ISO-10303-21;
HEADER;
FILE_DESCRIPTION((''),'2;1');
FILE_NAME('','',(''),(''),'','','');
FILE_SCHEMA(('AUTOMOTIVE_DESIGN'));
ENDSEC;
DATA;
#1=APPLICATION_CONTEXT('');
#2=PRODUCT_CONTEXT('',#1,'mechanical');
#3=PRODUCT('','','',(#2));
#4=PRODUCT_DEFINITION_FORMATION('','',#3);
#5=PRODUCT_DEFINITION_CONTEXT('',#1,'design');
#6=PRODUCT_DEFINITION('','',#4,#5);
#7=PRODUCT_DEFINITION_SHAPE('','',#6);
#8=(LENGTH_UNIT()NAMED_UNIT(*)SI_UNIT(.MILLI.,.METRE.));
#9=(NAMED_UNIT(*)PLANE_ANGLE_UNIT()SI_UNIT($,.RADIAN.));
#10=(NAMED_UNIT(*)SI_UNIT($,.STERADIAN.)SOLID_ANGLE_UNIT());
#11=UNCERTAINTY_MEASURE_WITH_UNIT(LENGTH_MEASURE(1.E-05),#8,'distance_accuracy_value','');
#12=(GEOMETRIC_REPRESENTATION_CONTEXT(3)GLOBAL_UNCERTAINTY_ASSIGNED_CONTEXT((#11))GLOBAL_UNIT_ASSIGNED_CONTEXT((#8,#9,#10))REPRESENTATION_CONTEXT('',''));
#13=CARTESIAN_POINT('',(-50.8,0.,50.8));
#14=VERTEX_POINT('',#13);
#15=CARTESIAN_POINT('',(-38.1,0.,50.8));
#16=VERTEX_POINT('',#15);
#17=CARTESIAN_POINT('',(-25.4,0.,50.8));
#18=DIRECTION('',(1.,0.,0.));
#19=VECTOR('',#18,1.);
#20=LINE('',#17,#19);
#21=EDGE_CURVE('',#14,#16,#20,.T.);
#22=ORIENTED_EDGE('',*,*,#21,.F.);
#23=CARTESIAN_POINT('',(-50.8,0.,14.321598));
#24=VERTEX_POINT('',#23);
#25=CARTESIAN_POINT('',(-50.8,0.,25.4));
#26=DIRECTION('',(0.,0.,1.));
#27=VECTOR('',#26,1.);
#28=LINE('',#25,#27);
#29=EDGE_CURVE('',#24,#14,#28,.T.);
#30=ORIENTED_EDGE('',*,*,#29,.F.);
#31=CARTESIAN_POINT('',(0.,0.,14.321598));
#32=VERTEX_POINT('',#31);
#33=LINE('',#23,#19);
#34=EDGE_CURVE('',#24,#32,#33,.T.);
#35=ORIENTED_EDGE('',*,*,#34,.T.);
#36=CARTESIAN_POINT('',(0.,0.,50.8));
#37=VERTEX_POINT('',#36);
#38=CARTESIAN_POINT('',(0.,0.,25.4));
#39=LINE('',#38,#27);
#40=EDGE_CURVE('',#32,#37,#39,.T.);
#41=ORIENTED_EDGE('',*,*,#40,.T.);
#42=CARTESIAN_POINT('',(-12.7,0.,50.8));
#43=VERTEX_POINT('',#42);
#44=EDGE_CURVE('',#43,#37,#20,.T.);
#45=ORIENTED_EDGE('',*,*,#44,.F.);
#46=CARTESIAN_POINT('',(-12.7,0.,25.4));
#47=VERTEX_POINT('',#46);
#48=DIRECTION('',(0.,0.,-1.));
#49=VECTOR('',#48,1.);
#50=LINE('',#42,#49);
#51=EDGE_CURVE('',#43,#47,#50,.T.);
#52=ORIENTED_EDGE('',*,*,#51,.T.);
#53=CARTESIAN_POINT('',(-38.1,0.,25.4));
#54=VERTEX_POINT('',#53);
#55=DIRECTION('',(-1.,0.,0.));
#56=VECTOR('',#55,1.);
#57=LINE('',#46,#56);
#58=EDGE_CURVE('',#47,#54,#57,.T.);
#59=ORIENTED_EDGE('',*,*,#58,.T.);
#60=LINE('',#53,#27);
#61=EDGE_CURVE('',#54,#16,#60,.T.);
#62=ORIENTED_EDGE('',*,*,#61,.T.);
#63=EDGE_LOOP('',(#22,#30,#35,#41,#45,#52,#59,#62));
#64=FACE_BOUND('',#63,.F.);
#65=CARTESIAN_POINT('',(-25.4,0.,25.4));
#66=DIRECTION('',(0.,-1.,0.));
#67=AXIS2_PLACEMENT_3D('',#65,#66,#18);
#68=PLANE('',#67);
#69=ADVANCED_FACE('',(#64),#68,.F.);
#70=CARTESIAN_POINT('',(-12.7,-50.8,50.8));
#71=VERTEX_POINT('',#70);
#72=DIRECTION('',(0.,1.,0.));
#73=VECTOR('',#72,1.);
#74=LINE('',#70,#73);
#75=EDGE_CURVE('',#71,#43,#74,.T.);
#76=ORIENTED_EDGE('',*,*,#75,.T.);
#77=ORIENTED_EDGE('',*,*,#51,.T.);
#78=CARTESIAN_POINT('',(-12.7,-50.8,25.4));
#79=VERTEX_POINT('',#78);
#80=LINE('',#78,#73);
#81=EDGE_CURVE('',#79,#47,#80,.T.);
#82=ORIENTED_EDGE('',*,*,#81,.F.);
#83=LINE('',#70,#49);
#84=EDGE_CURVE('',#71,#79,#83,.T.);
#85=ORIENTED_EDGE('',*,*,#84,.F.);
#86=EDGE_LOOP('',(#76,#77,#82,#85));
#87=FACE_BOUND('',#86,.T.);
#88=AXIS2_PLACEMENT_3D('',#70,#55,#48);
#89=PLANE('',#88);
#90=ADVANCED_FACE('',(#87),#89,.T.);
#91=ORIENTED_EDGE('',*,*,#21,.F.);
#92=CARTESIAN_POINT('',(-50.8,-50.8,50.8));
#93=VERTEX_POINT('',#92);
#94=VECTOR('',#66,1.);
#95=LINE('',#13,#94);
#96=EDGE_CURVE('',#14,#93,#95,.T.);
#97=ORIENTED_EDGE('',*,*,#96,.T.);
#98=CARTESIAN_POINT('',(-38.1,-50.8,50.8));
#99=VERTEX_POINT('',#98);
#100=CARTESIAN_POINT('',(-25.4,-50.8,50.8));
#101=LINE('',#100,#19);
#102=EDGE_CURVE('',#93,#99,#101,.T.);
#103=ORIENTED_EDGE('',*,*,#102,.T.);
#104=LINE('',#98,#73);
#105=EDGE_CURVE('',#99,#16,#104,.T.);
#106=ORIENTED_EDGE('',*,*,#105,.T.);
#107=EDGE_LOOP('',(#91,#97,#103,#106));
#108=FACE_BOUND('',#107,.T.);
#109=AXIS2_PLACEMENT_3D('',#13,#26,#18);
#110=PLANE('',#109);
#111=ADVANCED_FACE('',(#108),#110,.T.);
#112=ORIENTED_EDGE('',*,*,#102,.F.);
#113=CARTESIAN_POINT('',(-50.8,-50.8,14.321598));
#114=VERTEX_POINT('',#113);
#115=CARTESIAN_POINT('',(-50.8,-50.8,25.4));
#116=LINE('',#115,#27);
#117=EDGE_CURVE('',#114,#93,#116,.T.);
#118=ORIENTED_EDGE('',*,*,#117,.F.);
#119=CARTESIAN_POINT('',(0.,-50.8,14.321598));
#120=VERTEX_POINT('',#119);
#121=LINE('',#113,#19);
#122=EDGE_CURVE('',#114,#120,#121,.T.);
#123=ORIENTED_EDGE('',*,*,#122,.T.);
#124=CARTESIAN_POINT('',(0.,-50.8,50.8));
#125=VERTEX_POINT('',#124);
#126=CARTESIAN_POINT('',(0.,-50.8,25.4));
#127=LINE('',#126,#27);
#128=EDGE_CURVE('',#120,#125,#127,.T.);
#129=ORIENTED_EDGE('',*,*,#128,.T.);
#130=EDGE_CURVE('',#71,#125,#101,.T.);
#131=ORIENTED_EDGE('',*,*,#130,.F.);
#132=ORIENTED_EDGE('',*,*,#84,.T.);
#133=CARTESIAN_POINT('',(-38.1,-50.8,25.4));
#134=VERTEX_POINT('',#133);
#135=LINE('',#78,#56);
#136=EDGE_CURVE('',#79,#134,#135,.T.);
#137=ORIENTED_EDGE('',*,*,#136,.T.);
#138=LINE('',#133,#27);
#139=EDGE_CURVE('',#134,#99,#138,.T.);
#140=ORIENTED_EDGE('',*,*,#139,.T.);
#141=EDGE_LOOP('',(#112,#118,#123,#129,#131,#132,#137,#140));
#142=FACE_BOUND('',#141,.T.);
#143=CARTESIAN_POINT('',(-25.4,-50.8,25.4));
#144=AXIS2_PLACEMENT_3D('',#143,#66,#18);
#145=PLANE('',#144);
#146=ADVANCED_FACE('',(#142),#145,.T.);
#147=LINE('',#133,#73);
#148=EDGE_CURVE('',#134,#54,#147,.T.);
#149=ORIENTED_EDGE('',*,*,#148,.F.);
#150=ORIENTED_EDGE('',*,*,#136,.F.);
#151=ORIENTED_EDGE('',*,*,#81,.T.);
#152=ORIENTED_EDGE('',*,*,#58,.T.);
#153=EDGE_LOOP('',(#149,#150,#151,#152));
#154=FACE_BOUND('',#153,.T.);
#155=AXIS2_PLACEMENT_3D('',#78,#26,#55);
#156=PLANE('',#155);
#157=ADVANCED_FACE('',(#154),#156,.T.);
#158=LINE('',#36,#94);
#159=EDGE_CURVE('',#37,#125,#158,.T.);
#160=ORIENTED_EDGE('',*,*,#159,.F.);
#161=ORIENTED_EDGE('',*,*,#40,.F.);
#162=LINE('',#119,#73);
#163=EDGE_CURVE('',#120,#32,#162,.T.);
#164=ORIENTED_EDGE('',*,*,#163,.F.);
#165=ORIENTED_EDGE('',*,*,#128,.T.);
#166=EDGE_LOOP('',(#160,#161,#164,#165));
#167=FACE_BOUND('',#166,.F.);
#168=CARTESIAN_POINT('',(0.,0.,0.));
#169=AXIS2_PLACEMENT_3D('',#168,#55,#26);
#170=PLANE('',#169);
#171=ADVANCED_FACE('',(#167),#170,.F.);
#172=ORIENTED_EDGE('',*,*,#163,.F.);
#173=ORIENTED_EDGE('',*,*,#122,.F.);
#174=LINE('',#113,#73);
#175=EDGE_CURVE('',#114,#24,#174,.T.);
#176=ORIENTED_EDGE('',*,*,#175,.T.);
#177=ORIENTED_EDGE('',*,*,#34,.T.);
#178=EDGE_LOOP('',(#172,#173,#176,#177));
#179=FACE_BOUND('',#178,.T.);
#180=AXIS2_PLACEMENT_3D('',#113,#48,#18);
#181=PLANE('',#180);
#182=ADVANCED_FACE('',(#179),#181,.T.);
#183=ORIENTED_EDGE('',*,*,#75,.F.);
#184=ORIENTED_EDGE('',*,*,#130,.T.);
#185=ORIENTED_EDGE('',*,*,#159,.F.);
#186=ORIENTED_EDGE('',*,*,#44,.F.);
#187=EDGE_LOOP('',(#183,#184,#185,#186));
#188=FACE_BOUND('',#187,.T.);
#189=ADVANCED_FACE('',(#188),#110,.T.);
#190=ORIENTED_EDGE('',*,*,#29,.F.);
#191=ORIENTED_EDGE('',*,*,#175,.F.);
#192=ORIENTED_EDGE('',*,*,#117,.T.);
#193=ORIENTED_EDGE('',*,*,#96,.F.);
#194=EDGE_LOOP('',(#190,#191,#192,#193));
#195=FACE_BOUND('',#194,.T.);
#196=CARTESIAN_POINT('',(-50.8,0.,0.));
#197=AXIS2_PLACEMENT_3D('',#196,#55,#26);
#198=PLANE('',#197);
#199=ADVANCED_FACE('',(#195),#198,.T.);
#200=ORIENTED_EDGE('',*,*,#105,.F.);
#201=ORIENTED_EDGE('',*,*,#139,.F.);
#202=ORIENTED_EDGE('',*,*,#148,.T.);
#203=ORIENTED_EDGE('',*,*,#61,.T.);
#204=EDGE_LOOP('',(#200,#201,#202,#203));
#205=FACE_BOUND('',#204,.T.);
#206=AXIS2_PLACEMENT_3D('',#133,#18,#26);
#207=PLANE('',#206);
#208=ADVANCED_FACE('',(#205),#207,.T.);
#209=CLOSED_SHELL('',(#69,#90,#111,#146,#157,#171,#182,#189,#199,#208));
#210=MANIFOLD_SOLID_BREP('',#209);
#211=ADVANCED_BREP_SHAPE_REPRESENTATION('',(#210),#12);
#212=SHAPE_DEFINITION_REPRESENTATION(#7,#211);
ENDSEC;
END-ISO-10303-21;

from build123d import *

# Parameters (mm, degrees)
F0_W     = 50.8
F0_H     = 50.8
F1_DEPTH = 50.8
F3_DEPTH = 50.8


with BuildPart() as f1:
    # F0 (on Front) → F1 (new body)
    with BuildSketch(Plane.XZ):
        with Locations((-25.4, 25.4)):
            Rectangle(F0_W, F0_H)
    extrude(amount=F1_DEPTH)

    # F2 (on face) → F3 (intersect)
    with BuildSketch(Plane.XZ.offset(50.8)):
        Polygon((-38.1, 50.8), (-50.8, 50.8), (-50.8, 14.321598), (0, 14.321598), (0, 50.8), (-12.7, 50.8), (-12.7, 25.4), (-38.1, 25.4), align=None)
    extrude(amount=-F3_DEPTH, mode=Mode.INTERSECT)


solid = f1.part
